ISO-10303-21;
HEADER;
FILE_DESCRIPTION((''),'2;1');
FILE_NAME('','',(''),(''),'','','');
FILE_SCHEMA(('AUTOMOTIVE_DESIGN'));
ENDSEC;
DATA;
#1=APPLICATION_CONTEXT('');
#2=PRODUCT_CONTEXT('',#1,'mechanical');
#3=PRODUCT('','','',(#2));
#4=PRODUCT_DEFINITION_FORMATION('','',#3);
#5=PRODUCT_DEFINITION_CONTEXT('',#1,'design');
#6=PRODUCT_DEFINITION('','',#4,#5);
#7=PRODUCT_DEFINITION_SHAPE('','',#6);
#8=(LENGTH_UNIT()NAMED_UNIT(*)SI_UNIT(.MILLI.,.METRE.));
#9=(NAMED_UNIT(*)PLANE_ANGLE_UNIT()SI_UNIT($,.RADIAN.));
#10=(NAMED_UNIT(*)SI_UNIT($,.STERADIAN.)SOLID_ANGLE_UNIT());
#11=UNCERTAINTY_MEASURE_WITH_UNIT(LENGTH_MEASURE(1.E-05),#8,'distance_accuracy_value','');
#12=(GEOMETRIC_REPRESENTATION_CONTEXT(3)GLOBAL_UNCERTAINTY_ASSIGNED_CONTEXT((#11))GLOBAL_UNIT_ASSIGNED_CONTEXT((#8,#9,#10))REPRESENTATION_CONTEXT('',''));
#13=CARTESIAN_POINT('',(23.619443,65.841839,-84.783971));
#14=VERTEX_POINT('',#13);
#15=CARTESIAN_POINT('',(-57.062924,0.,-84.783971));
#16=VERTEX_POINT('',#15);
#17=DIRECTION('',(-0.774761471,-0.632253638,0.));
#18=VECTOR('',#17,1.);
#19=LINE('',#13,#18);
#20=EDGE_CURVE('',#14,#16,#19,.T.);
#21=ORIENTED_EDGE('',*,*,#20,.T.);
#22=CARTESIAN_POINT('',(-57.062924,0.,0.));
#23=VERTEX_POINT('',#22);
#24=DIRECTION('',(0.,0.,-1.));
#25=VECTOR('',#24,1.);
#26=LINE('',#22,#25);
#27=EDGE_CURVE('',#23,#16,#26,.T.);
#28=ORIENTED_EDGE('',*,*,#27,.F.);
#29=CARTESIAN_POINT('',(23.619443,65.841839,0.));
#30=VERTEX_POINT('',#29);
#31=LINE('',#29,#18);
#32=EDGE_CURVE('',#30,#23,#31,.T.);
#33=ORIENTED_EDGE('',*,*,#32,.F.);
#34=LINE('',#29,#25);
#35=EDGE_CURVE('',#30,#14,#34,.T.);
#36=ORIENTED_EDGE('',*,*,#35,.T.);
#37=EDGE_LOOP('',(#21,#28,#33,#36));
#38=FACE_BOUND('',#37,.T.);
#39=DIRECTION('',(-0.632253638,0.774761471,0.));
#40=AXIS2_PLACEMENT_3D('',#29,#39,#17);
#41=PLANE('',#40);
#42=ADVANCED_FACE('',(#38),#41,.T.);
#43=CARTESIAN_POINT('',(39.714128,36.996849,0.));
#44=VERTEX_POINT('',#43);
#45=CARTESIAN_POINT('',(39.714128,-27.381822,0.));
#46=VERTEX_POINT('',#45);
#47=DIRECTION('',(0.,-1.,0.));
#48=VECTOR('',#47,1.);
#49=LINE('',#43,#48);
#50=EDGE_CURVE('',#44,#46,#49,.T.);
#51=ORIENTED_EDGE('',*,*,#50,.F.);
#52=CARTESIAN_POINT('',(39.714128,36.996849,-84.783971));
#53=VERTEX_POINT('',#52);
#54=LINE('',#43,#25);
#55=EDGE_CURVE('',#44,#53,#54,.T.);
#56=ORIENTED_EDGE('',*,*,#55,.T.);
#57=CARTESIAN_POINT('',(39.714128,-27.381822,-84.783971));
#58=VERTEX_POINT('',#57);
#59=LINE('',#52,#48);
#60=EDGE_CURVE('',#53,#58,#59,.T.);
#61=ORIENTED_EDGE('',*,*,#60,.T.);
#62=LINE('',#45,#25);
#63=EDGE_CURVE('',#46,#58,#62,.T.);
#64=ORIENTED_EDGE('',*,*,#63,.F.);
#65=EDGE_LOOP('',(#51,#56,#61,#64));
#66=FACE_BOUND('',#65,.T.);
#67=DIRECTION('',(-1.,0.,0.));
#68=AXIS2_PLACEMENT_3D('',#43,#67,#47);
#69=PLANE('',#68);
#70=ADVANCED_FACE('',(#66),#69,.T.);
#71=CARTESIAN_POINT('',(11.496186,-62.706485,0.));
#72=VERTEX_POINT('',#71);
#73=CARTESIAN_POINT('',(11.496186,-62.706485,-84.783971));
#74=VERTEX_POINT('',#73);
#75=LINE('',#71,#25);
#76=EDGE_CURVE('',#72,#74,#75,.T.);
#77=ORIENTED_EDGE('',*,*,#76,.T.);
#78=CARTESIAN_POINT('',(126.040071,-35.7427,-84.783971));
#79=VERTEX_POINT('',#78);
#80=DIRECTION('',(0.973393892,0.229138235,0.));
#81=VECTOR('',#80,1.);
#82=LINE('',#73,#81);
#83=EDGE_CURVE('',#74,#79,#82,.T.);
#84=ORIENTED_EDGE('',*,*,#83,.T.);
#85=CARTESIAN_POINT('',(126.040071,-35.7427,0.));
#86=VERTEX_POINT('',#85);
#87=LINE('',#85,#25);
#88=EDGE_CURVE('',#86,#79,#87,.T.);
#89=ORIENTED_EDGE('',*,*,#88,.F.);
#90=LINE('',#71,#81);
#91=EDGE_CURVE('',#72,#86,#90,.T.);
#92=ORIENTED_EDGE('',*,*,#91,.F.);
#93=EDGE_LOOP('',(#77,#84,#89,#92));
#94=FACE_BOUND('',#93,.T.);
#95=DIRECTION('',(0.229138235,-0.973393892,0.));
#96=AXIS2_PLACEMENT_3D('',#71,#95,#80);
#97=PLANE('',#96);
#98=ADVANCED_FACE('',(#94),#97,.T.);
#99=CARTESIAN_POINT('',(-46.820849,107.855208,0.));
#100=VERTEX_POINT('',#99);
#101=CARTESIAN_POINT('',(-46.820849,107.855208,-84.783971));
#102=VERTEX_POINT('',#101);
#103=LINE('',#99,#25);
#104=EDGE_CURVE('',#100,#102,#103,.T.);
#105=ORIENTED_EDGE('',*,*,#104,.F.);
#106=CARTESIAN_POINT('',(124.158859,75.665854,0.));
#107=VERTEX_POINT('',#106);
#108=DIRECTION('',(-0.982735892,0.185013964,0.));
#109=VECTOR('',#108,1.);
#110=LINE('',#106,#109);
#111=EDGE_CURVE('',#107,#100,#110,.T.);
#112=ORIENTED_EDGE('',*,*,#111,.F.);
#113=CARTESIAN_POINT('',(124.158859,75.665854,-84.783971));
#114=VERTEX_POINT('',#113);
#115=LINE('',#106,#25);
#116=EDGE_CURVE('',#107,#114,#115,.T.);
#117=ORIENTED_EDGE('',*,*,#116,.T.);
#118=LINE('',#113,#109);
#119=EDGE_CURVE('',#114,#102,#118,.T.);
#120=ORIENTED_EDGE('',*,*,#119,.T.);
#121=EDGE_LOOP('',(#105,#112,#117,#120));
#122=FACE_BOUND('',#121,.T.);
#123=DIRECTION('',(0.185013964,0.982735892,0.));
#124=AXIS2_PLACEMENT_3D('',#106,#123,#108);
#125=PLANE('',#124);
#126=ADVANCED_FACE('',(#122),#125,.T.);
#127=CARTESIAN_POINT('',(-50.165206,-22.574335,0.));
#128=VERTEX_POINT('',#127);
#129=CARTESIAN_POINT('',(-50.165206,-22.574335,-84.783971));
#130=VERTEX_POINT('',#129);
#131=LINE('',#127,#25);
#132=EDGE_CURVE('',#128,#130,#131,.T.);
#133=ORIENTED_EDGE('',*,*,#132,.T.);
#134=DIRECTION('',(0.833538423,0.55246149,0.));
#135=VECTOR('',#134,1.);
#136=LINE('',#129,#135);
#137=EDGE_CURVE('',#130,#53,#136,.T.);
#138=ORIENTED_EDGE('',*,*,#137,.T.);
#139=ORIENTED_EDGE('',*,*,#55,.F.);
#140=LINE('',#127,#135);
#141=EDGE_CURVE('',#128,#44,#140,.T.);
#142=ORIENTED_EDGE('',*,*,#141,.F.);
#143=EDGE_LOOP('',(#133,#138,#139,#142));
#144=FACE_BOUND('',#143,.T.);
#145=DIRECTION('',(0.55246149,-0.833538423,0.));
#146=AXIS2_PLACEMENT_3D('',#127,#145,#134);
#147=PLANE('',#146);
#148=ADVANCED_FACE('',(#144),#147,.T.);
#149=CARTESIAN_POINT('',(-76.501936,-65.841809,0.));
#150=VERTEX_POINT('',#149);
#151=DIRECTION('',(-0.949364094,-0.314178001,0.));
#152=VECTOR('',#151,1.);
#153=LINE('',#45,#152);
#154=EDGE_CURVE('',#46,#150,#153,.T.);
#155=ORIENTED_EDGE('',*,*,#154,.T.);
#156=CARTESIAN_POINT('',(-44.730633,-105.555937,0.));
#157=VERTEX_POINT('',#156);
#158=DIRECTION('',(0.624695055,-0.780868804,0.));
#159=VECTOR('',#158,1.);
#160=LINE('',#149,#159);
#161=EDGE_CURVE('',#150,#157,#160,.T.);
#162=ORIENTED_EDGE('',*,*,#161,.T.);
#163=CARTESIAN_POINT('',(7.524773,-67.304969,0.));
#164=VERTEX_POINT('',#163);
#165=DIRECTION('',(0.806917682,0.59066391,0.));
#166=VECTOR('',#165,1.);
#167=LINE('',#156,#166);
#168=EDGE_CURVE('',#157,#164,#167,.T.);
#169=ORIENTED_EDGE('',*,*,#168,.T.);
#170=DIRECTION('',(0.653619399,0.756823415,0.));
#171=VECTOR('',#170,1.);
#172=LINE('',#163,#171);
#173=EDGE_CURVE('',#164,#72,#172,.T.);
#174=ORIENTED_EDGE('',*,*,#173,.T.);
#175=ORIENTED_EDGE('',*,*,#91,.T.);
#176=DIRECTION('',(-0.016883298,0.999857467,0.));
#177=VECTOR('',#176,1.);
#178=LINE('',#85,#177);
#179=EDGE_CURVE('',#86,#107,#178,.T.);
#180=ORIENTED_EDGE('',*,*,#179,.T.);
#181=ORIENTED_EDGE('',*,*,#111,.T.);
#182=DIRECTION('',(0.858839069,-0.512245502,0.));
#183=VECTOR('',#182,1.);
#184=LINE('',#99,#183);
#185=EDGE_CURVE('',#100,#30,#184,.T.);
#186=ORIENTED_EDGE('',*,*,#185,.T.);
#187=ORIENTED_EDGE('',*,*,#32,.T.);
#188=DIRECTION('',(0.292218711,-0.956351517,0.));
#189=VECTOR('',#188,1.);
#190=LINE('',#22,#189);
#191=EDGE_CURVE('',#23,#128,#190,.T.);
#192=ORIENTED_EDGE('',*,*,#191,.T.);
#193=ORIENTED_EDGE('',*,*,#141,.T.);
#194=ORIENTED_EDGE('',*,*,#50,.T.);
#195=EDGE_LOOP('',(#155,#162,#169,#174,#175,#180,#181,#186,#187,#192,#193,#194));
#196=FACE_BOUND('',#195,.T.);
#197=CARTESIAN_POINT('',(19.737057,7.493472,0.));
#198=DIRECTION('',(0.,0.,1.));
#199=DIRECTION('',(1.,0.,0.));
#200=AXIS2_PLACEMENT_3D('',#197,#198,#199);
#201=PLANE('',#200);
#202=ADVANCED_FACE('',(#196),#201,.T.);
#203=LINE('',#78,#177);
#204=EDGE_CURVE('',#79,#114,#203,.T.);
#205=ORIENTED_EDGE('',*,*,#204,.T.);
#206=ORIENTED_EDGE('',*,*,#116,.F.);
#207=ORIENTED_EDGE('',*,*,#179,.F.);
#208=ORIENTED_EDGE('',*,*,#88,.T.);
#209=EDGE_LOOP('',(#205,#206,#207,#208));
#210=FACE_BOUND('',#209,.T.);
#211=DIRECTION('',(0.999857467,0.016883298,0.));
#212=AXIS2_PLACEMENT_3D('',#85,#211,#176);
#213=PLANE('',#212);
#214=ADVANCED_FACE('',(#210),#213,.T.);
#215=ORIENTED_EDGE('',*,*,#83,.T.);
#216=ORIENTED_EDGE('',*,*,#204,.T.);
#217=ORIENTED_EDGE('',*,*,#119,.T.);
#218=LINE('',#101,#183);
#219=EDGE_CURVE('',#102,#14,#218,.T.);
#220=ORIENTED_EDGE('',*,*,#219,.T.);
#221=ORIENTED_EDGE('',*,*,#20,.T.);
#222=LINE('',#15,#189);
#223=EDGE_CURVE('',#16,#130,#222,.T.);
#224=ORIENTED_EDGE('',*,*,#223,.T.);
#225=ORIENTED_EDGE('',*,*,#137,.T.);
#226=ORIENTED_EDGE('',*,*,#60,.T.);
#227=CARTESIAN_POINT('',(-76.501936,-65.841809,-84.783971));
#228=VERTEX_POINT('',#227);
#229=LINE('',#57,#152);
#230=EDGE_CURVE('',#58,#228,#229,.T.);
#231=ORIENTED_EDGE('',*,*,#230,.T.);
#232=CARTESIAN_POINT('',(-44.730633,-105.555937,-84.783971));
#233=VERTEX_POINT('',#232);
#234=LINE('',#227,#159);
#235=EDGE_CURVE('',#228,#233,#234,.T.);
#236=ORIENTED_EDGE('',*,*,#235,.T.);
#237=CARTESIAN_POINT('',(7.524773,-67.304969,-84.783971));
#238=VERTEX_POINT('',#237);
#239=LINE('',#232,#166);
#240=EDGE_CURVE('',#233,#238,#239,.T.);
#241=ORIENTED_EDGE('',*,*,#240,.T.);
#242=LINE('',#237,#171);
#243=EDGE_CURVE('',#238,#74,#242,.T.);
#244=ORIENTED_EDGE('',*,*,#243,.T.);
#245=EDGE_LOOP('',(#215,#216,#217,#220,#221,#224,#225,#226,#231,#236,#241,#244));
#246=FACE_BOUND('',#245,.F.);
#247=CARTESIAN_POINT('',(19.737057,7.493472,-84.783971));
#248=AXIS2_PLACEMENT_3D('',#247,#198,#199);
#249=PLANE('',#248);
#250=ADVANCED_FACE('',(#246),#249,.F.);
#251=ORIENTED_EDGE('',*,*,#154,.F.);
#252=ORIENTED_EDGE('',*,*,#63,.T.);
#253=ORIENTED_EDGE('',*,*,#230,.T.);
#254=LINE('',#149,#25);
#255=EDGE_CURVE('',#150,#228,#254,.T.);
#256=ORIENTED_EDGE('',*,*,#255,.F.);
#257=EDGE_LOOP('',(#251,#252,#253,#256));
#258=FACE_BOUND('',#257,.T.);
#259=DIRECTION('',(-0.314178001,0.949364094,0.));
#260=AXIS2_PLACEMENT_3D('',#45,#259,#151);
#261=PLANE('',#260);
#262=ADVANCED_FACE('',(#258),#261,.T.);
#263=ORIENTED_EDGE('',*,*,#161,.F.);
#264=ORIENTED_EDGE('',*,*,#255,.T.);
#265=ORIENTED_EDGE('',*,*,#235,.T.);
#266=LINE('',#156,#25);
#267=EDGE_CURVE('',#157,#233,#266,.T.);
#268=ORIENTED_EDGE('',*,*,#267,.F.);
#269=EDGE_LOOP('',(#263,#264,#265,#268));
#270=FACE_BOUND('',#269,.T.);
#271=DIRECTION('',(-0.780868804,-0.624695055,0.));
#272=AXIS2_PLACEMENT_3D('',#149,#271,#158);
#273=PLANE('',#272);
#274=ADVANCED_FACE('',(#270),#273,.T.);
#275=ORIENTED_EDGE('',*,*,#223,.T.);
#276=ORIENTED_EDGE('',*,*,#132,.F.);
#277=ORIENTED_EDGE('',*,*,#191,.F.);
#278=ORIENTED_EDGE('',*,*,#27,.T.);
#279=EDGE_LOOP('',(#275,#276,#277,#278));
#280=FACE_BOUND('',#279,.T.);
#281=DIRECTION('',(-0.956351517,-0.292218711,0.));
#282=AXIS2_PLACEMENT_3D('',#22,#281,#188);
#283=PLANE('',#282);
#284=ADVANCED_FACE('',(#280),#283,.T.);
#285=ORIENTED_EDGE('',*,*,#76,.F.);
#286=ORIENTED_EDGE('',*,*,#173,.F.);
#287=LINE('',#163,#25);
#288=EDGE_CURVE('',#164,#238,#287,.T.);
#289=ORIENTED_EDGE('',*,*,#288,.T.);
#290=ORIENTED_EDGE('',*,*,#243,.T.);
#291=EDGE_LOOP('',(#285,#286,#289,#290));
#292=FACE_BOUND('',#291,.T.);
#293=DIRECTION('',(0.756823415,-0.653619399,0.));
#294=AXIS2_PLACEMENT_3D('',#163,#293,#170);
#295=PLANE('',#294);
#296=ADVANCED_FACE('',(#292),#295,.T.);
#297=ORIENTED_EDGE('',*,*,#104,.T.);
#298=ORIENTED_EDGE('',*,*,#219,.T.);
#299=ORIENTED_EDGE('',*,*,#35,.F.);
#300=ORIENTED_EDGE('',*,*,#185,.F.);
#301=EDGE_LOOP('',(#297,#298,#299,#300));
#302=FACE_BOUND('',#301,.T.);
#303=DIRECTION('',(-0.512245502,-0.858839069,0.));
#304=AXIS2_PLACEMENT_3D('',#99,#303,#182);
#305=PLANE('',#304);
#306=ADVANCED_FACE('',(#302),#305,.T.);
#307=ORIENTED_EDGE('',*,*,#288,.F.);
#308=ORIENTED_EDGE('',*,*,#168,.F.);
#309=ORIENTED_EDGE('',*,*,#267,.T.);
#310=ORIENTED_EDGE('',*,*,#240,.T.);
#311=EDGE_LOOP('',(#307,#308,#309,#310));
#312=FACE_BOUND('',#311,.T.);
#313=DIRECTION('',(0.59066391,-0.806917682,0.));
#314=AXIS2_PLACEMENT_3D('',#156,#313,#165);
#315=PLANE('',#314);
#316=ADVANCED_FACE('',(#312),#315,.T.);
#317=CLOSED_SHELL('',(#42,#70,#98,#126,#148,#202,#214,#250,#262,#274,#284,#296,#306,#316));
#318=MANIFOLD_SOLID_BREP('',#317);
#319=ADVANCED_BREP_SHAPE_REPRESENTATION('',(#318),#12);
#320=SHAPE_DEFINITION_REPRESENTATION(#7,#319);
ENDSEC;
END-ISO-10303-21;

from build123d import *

# Parameters (mm, degrees)
F1_DEPTH = 84.783971


with BuildPart() as f1:
    # F0 (on Top) → F1 (new body)
    with BuildSketch(Plane.XY):
        Polygon((7.524773, -67.304969), (11.496186, -62.706485), (126.040071, -35.7427), (124.158859, 75.665854), (-46.820849, 107.855208), (23.619443, 65.841839), (-57.062924, 0), (-50.165206, -22.574335), (39.714128, 36.996849), (39.714128, -27.381822), (-76.501936, -65.841809), (-44.730633, -105.555937), align=None)
    extrude(amount=-F1_DEPTH)


solid = f1.part
